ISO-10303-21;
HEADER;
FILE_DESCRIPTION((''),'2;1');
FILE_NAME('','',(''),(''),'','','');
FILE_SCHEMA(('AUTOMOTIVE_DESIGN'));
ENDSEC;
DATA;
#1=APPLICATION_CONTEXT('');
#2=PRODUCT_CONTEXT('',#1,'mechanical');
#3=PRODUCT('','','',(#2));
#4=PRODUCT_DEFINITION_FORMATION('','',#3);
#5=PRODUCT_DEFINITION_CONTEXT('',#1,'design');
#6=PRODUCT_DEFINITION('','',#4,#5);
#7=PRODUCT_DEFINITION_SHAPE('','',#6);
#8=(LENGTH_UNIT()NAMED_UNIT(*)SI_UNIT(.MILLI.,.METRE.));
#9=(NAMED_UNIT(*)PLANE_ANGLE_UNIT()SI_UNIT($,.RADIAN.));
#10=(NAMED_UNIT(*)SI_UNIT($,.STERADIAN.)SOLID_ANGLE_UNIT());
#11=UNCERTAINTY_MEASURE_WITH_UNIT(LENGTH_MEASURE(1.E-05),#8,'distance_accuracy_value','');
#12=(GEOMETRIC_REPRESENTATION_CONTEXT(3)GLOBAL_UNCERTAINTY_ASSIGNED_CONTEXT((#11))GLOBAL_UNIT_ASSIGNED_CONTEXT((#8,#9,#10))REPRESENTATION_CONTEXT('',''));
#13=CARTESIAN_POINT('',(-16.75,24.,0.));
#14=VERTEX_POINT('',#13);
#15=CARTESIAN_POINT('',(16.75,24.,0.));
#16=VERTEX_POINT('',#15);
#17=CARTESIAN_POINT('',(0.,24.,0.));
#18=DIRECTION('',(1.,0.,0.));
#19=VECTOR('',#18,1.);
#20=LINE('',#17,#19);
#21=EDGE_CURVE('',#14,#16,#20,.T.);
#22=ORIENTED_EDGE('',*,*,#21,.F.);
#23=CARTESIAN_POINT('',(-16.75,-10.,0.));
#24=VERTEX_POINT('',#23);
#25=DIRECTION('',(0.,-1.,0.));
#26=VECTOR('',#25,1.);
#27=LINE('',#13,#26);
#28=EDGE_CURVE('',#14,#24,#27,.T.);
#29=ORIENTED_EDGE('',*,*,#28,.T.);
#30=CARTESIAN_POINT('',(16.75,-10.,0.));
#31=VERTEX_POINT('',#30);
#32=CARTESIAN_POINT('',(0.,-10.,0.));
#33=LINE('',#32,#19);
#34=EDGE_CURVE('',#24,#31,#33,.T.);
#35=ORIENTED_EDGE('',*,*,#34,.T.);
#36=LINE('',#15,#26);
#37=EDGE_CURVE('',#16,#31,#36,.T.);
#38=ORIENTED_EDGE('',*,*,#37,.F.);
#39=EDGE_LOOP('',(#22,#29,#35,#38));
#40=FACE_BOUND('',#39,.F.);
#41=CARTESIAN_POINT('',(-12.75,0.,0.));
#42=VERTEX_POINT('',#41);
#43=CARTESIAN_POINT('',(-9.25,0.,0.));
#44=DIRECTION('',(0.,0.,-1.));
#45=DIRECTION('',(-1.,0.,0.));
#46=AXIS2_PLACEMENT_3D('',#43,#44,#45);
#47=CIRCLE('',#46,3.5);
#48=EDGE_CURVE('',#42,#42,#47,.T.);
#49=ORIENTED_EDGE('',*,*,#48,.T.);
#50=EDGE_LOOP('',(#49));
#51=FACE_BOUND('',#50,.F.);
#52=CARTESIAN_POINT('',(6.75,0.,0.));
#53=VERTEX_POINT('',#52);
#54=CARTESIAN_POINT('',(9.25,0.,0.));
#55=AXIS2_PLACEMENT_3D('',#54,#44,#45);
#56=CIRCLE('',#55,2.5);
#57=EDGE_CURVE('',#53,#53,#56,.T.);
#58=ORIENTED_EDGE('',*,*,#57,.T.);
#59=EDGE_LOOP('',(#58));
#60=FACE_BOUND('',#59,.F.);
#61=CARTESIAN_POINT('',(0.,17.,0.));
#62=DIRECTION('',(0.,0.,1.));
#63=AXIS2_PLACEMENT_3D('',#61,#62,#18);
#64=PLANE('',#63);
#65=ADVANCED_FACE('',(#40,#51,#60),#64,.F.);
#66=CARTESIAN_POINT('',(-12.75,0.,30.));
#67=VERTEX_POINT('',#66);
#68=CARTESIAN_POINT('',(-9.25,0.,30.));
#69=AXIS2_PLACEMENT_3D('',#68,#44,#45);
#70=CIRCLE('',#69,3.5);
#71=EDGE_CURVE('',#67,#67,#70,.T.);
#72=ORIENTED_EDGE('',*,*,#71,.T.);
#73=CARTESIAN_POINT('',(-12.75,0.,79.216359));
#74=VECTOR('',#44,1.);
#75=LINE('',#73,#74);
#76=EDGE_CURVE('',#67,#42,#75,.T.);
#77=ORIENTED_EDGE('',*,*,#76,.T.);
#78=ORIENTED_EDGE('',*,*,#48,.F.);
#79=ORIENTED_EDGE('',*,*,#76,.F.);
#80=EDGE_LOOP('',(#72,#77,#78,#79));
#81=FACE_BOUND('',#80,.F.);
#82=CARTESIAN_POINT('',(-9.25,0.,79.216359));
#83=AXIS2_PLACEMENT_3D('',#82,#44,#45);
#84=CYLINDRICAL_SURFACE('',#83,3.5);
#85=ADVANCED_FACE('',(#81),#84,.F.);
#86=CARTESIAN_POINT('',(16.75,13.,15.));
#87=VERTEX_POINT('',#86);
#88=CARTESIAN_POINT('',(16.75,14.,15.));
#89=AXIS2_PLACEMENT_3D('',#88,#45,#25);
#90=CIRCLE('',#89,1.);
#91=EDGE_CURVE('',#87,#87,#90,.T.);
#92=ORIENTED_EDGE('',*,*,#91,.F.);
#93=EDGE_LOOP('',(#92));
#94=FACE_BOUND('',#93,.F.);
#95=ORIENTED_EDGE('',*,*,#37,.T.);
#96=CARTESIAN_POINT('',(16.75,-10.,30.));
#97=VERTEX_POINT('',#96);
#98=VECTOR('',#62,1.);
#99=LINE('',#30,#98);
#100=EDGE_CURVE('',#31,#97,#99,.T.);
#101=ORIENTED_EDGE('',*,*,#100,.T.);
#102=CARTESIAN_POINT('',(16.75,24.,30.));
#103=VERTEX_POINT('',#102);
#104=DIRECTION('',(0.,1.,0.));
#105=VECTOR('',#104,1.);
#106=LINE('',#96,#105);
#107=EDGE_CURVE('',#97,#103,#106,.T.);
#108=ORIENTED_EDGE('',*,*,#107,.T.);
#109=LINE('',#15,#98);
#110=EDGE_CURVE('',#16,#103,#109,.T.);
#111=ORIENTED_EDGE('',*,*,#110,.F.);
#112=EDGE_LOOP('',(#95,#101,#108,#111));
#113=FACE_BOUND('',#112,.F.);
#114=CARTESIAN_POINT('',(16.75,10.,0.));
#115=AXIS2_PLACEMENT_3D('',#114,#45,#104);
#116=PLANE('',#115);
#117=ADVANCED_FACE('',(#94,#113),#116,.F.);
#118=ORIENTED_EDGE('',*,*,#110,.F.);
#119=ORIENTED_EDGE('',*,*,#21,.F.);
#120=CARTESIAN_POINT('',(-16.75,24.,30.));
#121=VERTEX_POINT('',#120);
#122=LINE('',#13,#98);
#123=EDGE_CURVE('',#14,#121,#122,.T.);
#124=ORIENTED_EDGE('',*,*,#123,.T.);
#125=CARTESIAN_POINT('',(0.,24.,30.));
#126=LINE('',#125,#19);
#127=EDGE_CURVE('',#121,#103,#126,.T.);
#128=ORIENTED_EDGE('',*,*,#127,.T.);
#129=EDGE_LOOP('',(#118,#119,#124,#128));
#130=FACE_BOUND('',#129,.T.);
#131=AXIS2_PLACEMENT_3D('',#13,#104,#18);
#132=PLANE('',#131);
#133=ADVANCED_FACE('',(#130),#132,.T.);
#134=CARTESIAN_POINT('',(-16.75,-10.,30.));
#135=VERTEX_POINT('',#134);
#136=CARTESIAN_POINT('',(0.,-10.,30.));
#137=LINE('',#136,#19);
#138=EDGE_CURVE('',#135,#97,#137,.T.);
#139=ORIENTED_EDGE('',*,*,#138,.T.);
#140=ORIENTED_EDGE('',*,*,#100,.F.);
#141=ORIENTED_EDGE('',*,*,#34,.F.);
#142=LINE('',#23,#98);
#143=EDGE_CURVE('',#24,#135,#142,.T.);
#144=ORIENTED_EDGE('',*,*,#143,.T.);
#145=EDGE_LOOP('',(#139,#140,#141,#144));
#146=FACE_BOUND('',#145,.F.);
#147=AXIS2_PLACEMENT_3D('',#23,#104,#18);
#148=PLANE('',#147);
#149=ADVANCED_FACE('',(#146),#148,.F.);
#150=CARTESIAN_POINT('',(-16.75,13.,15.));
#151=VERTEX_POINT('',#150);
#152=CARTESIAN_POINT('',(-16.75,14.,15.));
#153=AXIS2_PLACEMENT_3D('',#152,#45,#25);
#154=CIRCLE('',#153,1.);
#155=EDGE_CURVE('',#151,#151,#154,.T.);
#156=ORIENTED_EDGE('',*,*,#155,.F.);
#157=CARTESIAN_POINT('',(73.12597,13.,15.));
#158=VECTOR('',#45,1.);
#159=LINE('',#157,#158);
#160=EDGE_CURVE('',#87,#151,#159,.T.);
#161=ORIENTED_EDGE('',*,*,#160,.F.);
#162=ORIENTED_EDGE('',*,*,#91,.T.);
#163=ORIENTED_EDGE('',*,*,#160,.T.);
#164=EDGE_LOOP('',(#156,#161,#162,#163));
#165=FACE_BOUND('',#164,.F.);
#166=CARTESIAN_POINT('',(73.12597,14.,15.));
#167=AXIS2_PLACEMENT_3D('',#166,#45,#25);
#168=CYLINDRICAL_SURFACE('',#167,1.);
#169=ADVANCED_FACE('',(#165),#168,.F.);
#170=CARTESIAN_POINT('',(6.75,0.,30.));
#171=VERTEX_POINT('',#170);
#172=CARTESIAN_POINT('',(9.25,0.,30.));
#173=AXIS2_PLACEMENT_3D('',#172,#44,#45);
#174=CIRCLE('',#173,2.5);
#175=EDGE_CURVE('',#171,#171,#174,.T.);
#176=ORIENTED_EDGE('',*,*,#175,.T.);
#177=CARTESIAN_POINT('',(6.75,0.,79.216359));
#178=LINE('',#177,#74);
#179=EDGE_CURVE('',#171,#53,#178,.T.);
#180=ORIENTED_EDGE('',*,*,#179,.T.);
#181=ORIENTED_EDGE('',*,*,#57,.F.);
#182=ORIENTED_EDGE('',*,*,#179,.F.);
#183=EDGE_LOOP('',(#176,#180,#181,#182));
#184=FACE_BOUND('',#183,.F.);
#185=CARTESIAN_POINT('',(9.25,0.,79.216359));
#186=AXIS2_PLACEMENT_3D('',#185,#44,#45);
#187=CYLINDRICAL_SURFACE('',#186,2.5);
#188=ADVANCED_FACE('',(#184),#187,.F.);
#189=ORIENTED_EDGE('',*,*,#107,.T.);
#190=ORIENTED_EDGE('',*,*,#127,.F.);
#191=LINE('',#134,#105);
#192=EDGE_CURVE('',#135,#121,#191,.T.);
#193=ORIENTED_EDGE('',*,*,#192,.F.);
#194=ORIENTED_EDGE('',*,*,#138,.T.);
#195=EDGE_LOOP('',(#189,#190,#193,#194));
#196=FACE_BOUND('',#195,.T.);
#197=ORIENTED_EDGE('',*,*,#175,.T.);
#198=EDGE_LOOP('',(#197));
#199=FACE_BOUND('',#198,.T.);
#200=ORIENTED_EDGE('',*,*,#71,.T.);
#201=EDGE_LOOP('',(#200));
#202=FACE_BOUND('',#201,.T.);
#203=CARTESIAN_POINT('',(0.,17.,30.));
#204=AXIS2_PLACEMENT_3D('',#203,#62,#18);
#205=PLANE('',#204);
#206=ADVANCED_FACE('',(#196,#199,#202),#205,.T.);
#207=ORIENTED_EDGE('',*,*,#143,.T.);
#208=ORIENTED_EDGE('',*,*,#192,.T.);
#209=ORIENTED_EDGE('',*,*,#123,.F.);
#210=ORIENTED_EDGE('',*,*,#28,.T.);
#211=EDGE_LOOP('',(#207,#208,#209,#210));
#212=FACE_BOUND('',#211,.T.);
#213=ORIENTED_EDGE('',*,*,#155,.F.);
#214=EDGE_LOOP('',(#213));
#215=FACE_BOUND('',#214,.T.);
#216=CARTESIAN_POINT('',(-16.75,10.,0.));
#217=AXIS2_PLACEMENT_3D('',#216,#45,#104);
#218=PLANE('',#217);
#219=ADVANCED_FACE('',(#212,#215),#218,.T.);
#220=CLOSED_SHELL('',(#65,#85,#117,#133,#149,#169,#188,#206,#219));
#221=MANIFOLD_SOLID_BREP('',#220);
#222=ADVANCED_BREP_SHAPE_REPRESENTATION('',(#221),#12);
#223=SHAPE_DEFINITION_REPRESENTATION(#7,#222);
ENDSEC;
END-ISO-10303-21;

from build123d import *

# Parameters (mm, degrees)
F0_W     = 33.5
F0_H     = 20
F1_DEPTH = 30
F3_D     = 5
F4_D     = 7
F5_W     = 33.5
F5_H     = 14
F6_DEPTH = 30
F8_D     = 2


with BuildPart() as f1:
    # F0 (on Top) → F1 (new body)
    with BuildSketch(Plane.XY):
        Rectangle(F0_W, F0_H)
    extrude(amount=F1_DEPTH)

    # F3 (through all)
    with Locations(Plane.XY.offset(30)):
        with Locations((9.25, 0)):
            Hole(F3_D / 2)

    # F4 (through all)
    with Locations(Plane.XY.offset(30)):
        with Locations((-9.25, 0)):
            Hole(F4_D / 2)

    # F5 (on Top) → F6 (join)
    with BuildSketch(Plane.XY):
        with Locations((0, 17)):
            Rectangle(F5_W, F5_H)
    extrude(amount=F6_DEPTH)

    # F8 (through all)
    with Locations(Plane.YZ.offset(16.75)):
        with Locations((14, 15)):
            Hole(F8_D / 2)


solid = f1.part
